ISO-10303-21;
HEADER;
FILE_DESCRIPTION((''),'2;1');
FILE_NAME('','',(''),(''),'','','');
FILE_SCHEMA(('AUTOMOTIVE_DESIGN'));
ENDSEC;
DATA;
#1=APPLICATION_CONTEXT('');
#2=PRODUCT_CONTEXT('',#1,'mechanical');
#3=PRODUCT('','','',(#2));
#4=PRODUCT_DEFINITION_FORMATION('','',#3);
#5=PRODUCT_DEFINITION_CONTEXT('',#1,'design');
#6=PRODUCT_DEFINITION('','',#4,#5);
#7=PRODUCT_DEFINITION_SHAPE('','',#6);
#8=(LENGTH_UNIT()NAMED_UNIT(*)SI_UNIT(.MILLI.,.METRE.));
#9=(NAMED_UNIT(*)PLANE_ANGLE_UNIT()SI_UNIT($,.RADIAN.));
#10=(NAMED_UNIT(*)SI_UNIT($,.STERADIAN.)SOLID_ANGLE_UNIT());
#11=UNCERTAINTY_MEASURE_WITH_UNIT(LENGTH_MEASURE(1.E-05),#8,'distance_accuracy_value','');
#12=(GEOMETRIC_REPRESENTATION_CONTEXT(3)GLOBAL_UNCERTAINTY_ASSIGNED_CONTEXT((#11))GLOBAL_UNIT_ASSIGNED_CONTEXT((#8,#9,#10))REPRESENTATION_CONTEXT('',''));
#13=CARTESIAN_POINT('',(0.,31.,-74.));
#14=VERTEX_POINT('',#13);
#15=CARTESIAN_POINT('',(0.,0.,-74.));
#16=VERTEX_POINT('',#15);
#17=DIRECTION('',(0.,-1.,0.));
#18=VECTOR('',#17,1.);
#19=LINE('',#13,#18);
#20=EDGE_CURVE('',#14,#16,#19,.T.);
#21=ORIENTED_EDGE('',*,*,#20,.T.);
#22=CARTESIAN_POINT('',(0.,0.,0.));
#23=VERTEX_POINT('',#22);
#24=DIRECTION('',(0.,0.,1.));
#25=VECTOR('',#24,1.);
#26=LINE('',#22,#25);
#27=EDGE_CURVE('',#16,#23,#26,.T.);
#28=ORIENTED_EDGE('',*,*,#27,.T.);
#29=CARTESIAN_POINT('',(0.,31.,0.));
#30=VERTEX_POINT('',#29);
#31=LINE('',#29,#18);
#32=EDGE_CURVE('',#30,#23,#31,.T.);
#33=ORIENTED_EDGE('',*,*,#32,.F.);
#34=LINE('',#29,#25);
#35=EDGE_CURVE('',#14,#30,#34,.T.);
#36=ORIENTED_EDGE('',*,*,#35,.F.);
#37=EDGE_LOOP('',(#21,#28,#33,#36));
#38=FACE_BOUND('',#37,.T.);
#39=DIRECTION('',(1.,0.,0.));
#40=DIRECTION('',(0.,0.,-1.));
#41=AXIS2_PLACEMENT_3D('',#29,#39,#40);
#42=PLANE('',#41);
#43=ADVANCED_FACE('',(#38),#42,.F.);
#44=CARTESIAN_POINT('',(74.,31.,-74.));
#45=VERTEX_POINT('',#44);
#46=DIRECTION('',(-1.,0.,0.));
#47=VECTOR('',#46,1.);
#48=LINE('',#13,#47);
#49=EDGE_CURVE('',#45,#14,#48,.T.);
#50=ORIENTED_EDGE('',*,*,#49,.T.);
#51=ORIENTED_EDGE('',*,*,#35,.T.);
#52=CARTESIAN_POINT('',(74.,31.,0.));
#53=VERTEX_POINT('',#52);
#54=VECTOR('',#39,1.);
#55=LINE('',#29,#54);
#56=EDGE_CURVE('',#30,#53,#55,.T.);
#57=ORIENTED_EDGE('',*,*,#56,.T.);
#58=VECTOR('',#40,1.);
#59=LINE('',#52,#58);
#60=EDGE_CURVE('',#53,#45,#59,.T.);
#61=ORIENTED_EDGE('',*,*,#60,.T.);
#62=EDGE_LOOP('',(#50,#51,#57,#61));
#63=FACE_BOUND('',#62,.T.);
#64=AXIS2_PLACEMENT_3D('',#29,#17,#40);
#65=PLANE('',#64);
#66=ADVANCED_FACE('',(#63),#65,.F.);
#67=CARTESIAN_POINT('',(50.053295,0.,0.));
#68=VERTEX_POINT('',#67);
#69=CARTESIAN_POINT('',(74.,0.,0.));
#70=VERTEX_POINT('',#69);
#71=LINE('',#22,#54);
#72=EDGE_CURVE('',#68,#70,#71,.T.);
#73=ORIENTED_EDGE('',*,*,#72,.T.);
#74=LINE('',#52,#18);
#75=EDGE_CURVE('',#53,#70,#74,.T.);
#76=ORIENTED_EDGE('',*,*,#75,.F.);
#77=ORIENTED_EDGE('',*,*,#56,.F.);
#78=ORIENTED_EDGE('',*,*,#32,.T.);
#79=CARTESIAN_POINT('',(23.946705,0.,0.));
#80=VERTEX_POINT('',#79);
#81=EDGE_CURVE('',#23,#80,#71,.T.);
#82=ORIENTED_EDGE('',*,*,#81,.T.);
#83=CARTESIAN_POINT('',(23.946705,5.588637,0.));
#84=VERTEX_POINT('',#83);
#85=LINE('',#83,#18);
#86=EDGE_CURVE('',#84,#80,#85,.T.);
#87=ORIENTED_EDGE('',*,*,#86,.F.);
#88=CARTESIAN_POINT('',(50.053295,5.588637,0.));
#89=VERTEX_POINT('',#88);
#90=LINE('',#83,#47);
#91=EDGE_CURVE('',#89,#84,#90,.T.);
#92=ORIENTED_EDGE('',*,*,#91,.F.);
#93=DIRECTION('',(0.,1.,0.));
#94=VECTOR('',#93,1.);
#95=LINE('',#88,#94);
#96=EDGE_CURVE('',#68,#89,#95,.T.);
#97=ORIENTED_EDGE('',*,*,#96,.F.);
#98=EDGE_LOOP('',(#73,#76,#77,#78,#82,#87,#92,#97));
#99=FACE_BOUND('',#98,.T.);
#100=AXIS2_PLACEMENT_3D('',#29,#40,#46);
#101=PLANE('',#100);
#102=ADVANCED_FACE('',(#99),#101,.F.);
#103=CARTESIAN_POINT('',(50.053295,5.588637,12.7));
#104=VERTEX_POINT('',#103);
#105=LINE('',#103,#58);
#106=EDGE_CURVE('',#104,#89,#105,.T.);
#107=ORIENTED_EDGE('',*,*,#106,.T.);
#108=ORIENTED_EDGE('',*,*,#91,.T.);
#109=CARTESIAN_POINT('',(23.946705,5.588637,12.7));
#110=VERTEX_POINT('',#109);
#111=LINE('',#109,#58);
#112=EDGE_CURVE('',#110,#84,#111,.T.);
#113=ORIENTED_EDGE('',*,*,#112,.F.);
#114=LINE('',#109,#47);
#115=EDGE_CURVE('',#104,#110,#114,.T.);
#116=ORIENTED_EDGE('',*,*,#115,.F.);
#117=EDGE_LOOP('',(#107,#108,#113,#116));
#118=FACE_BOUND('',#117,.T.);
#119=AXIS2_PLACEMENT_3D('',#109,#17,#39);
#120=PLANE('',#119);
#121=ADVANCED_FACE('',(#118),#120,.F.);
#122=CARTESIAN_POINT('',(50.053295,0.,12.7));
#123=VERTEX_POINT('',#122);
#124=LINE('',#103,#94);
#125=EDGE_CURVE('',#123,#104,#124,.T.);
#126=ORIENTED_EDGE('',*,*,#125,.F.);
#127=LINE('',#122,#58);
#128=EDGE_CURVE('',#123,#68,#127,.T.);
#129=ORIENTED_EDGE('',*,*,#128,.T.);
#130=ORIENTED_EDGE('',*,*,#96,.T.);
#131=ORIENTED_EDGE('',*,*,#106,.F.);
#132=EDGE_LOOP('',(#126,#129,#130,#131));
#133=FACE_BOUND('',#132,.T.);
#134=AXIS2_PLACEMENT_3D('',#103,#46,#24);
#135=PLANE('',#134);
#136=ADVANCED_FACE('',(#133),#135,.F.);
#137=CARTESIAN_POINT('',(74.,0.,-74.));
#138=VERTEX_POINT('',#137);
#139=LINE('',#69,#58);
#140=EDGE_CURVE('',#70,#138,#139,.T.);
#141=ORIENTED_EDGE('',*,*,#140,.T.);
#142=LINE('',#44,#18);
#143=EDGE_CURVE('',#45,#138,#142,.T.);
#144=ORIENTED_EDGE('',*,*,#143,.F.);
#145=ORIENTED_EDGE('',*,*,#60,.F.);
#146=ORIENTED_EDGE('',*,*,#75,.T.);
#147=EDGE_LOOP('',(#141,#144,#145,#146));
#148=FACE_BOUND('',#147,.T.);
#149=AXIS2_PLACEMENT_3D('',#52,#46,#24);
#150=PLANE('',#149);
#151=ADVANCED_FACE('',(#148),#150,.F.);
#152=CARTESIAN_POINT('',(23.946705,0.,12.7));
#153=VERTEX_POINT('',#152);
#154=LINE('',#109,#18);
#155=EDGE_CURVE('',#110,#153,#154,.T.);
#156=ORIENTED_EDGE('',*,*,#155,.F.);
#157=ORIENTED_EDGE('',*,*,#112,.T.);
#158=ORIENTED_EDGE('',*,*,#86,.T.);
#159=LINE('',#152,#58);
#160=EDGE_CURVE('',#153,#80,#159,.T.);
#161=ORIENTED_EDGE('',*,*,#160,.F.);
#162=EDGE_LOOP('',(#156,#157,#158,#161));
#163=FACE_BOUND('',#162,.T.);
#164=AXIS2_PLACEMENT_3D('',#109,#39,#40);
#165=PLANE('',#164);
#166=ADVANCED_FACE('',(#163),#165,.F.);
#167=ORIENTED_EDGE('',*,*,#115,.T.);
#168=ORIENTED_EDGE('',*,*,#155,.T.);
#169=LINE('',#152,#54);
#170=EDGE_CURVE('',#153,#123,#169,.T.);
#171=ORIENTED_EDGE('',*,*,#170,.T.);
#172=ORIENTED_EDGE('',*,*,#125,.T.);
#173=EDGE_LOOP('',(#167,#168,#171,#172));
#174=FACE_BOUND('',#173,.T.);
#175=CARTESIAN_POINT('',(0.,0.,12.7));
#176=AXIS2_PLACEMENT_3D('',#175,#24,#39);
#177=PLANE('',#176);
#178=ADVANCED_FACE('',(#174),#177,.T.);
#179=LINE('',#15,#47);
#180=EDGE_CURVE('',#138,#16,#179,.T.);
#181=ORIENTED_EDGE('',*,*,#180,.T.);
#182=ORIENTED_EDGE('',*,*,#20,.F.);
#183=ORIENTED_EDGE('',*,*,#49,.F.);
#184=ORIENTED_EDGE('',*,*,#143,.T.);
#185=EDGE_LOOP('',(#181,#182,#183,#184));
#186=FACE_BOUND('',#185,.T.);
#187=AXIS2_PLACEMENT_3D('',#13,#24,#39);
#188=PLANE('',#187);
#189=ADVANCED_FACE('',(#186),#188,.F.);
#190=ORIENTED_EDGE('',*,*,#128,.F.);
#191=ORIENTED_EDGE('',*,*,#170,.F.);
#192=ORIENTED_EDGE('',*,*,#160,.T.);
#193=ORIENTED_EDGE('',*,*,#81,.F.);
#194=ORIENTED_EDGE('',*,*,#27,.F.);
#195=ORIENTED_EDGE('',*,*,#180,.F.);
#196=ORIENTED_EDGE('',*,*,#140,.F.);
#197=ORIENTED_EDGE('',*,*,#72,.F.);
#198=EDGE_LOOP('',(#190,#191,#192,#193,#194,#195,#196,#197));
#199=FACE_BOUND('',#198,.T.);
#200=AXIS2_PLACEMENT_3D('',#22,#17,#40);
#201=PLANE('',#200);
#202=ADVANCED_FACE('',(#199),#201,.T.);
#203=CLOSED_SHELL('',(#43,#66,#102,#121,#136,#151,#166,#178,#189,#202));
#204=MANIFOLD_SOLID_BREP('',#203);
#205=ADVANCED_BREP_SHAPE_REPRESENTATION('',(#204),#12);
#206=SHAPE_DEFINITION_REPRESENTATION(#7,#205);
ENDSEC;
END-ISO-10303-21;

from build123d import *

# Parameters (mm, degrees)
SKETCH1_W           = 74
SKETCH1_H           = 74
BOSS_EXTRUDE1_DEPTH = 31
SKETCH2_W           = 26.106590286
SKETCH2_H           = 5.588637075
BOSS_EXTRUDE2_DEPTH = 12.7


with BuildPart() as part:
    # Sketch1 → Boss-Extrude1 (new body)
    with BuildSketch(Plane(origin=(0, 0, 0), x_dir=(1, 0, 0), z_dir=(0, 1, 0))):
        with Locations((37, 37)):
            Rectangle(SKETCH1_W, SKETCH1_H)
    extrude(amount=BOSS_EXTRUDE1_DEPTH)

    # Sketch2 → Boss-Extrude2 (add)
    with BuildSketch(Plane.XY):
        with Locations((37, 2.794318538)):
            Rectangle(SKETCH2_W, SKETCH2_H)
    extrude(amount=BOSS_EXTRUDE2_DEPTH)


solid = part.part
